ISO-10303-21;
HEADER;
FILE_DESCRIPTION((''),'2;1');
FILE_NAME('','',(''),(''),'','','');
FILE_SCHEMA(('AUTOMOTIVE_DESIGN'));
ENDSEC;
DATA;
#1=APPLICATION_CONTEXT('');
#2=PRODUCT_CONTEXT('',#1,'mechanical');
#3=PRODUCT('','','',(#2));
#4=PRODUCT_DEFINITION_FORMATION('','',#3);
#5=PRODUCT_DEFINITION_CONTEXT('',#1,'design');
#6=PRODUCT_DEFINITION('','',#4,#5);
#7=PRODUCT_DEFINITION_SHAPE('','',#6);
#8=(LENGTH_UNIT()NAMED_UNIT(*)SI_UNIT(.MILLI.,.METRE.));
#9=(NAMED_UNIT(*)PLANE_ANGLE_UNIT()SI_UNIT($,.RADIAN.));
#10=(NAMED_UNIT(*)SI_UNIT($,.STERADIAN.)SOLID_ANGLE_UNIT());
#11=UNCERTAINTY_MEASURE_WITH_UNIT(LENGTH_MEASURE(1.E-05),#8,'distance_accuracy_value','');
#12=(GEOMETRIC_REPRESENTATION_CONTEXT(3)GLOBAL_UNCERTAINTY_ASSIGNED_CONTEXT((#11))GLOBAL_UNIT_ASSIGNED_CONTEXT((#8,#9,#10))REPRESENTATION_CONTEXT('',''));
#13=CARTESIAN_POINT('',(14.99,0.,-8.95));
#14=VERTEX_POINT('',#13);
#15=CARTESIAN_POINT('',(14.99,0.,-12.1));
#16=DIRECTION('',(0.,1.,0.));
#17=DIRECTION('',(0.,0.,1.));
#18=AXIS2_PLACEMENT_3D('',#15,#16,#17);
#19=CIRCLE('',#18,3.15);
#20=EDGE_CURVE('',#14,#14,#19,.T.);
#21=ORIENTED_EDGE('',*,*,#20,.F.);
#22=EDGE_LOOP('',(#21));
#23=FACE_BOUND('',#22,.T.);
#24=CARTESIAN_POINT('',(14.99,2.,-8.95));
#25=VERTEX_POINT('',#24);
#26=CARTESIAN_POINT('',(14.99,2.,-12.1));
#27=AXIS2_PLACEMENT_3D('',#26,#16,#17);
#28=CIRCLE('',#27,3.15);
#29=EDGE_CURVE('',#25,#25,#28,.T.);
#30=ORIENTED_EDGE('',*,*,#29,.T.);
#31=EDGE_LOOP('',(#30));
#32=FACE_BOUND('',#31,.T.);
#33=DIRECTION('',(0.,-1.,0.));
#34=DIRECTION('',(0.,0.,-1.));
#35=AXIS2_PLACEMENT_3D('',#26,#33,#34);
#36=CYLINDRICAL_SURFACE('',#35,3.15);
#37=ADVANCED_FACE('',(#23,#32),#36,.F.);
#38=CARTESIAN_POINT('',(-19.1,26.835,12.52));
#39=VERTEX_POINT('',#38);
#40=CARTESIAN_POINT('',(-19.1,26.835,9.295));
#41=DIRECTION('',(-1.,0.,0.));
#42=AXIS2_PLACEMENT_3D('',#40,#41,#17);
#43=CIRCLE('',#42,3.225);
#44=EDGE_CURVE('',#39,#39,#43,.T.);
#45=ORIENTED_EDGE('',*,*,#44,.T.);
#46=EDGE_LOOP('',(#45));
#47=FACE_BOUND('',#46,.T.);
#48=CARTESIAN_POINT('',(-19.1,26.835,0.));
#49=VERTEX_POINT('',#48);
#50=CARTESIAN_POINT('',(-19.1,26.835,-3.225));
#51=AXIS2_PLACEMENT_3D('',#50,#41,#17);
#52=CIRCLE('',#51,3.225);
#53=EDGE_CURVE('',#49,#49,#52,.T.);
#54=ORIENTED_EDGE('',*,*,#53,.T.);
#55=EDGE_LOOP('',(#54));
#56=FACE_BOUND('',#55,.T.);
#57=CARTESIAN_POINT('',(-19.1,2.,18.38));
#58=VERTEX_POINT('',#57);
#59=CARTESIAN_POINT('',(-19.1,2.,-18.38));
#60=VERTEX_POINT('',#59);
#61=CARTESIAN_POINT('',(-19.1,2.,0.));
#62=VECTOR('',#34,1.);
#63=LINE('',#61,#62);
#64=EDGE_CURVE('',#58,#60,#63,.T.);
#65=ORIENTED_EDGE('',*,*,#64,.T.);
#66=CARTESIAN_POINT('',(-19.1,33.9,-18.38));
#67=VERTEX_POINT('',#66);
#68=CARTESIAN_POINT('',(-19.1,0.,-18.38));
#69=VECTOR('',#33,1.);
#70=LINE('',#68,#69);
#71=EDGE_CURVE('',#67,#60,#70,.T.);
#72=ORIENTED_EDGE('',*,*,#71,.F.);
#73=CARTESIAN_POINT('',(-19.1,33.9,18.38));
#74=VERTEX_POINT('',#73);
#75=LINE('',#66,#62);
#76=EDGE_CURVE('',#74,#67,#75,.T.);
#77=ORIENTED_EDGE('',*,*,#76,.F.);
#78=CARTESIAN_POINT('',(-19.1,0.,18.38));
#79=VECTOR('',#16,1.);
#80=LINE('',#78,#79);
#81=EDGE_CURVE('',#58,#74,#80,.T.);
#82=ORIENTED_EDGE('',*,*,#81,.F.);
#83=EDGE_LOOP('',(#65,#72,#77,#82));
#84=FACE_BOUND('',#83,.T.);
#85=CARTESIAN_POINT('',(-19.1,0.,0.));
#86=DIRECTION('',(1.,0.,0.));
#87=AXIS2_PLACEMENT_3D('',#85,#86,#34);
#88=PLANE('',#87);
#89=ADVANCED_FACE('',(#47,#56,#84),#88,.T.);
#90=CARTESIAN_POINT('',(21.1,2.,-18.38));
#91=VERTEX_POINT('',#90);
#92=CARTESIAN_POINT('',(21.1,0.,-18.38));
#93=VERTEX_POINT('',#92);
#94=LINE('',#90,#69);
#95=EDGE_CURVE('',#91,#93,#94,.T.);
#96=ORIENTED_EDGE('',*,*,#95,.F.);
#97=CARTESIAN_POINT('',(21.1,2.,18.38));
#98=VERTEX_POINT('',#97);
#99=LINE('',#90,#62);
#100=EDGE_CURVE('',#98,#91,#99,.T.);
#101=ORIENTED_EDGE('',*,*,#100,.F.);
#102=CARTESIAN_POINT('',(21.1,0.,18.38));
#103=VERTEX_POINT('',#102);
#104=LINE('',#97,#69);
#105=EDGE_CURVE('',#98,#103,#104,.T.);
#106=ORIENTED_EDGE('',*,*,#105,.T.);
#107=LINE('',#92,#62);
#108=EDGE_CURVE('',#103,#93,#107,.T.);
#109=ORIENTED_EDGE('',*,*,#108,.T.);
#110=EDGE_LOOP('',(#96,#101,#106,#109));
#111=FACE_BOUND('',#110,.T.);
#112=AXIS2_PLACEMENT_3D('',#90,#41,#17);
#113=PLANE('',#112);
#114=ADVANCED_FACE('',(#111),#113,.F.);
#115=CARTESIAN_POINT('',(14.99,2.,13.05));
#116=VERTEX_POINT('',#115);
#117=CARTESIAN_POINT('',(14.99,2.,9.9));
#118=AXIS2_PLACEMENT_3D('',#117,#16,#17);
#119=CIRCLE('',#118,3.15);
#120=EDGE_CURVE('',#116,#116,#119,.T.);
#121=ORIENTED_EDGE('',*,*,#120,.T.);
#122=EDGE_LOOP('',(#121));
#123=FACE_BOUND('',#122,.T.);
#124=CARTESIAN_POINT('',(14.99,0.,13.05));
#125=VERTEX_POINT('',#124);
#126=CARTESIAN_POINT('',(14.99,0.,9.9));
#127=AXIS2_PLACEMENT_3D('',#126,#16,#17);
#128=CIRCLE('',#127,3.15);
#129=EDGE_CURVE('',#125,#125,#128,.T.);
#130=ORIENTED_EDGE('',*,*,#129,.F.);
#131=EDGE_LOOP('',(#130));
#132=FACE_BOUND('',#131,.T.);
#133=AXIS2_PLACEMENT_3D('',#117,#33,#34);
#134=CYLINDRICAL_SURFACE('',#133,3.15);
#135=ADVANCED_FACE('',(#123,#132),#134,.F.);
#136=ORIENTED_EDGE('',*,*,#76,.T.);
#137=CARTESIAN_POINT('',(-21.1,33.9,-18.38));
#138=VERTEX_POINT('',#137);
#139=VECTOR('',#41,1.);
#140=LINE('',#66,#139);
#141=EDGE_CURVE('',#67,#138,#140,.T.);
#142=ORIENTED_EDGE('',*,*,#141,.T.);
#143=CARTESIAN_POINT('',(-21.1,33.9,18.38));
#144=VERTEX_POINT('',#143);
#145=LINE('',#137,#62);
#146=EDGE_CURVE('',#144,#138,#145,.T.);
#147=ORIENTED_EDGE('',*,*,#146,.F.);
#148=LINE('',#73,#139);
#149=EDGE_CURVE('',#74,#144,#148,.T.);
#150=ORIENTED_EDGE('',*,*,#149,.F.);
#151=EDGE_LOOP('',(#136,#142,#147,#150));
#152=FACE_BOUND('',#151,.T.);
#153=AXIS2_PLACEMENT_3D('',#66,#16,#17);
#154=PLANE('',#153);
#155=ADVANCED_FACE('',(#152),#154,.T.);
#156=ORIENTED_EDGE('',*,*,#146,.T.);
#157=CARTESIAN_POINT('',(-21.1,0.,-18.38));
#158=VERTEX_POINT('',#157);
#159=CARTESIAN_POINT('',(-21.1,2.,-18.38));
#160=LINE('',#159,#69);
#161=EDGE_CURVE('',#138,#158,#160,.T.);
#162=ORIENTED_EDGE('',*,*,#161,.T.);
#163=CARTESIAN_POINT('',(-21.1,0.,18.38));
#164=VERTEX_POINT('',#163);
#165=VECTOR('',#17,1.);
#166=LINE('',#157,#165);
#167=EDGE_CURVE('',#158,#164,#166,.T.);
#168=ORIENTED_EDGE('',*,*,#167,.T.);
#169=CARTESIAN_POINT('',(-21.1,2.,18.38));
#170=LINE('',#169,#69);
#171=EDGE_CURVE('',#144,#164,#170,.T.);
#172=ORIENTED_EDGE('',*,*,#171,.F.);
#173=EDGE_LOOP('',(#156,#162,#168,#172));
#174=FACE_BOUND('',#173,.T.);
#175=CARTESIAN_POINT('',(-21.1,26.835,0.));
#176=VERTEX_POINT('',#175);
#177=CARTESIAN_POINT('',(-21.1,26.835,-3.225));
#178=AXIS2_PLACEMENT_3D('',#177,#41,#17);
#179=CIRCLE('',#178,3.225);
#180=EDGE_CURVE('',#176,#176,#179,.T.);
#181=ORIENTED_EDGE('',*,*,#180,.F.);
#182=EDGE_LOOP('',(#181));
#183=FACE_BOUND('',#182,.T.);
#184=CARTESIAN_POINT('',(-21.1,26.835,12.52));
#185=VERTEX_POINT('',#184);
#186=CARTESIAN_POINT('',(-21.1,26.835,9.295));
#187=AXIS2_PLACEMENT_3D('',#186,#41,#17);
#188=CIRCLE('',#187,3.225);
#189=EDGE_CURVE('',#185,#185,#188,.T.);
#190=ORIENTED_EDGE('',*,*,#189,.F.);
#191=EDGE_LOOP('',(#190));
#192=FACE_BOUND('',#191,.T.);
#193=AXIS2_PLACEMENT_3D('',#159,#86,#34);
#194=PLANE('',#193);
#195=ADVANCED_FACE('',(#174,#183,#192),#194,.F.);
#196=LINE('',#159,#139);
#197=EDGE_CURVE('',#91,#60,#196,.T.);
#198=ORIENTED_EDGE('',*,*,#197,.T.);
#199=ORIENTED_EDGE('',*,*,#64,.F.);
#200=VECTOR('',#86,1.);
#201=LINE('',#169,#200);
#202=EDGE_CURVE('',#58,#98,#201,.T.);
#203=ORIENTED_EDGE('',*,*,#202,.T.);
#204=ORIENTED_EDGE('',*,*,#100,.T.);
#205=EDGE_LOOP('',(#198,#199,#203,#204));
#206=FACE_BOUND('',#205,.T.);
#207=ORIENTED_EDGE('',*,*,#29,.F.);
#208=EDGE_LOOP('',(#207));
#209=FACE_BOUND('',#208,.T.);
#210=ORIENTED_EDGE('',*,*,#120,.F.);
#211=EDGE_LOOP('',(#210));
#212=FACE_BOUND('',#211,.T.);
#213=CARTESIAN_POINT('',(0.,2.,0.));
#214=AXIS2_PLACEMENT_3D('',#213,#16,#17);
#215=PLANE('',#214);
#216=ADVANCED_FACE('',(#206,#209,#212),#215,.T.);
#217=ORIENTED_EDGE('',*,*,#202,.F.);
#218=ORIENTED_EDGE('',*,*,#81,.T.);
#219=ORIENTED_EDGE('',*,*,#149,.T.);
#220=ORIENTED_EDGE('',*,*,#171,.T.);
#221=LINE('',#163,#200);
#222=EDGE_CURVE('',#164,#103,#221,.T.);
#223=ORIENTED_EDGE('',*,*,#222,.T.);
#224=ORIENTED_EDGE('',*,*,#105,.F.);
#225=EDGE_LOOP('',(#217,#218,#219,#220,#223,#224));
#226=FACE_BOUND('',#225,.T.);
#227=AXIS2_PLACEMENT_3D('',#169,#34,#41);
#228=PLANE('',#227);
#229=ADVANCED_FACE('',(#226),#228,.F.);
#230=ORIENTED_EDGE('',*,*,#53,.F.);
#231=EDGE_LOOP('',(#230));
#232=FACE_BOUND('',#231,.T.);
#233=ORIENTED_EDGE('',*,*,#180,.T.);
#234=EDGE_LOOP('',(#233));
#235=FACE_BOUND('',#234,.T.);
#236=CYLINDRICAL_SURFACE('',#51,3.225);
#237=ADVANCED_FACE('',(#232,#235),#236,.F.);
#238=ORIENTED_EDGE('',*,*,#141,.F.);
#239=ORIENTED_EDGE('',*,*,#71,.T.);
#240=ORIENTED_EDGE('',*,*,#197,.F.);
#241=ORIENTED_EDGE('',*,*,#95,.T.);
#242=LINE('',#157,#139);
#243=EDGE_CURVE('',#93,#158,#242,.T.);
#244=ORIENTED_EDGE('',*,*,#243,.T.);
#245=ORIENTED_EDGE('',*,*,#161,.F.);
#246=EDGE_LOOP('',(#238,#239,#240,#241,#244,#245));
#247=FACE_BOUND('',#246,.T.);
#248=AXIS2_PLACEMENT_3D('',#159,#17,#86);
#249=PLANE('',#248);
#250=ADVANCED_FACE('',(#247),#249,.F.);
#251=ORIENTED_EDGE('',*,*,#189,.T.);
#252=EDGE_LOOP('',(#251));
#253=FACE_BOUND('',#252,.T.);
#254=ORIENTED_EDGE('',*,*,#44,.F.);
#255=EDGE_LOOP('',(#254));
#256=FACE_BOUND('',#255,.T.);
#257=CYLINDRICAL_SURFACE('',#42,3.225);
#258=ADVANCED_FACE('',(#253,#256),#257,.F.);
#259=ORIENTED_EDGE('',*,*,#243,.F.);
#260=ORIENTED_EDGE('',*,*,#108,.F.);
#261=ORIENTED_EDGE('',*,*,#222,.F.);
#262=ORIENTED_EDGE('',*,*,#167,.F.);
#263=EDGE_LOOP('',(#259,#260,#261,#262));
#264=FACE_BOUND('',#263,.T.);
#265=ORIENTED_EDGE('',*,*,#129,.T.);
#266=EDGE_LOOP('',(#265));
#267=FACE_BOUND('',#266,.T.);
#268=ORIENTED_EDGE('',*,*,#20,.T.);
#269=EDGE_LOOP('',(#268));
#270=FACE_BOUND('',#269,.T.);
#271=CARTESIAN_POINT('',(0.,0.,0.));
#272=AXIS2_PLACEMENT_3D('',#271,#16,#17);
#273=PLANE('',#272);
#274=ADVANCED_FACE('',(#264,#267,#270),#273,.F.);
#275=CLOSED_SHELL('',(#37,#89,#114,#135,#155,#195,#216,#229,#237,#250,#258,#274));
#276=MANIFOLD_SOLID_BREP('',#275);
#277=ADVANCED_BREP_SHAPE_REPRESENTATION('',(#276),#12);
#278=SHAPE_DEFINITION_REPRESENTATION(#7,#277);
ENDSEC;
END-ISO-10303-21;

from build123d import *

# Parameters (mm, degrees)
SKETCH1_W  = 42.2
SKETCH1_H  = 36.76
SKETCH1_R  = 3.15
BASE_DEPTH = 2
SKETCH3_W  = 36.76
SKETCH3_H  = 33.9
SKETCH3_R  = 3.225
TAB_DEPTH  = 2


with BuildPart() as part:
    # Sketch1 → Base (new body)
    with BuildSketch(Plane(origin=(0, 0, 0), x_dir=(1, 0, 0), z_dir=(0, 1, 0))):
        Rectangle(SKETCH1_W, SKETCH1_H)
        with Locations((14.99, 12.1)):
            Circle(SKETCH1_R, mode=Mode.SUBTRACT)
        with Locations((14.99, -9.9)):
            Circle(SKETCH1_R, mode=Mode.SUBTRACT)
    extrude(amount=BASE_DEPTH)

    # Sketch3 → Tab (add)
    with BuildSketch(Plane.ZY.offset(21.1)):
        with Locations((0, 16.95)):
            Rectangle(SKETCH3_W, SKETCH3_H)
        with Locations((-3.225, 26.835)):
            Circle(SKETCH3_R, mode=Mode.SUBTRACT)
        with Locations((9.295, 26.835)):
            Circle(SKETCH3_R, mode=Mode.SUBTRACT)
    extrude(amount=-TAB_DEPTH)


solid = part.part
